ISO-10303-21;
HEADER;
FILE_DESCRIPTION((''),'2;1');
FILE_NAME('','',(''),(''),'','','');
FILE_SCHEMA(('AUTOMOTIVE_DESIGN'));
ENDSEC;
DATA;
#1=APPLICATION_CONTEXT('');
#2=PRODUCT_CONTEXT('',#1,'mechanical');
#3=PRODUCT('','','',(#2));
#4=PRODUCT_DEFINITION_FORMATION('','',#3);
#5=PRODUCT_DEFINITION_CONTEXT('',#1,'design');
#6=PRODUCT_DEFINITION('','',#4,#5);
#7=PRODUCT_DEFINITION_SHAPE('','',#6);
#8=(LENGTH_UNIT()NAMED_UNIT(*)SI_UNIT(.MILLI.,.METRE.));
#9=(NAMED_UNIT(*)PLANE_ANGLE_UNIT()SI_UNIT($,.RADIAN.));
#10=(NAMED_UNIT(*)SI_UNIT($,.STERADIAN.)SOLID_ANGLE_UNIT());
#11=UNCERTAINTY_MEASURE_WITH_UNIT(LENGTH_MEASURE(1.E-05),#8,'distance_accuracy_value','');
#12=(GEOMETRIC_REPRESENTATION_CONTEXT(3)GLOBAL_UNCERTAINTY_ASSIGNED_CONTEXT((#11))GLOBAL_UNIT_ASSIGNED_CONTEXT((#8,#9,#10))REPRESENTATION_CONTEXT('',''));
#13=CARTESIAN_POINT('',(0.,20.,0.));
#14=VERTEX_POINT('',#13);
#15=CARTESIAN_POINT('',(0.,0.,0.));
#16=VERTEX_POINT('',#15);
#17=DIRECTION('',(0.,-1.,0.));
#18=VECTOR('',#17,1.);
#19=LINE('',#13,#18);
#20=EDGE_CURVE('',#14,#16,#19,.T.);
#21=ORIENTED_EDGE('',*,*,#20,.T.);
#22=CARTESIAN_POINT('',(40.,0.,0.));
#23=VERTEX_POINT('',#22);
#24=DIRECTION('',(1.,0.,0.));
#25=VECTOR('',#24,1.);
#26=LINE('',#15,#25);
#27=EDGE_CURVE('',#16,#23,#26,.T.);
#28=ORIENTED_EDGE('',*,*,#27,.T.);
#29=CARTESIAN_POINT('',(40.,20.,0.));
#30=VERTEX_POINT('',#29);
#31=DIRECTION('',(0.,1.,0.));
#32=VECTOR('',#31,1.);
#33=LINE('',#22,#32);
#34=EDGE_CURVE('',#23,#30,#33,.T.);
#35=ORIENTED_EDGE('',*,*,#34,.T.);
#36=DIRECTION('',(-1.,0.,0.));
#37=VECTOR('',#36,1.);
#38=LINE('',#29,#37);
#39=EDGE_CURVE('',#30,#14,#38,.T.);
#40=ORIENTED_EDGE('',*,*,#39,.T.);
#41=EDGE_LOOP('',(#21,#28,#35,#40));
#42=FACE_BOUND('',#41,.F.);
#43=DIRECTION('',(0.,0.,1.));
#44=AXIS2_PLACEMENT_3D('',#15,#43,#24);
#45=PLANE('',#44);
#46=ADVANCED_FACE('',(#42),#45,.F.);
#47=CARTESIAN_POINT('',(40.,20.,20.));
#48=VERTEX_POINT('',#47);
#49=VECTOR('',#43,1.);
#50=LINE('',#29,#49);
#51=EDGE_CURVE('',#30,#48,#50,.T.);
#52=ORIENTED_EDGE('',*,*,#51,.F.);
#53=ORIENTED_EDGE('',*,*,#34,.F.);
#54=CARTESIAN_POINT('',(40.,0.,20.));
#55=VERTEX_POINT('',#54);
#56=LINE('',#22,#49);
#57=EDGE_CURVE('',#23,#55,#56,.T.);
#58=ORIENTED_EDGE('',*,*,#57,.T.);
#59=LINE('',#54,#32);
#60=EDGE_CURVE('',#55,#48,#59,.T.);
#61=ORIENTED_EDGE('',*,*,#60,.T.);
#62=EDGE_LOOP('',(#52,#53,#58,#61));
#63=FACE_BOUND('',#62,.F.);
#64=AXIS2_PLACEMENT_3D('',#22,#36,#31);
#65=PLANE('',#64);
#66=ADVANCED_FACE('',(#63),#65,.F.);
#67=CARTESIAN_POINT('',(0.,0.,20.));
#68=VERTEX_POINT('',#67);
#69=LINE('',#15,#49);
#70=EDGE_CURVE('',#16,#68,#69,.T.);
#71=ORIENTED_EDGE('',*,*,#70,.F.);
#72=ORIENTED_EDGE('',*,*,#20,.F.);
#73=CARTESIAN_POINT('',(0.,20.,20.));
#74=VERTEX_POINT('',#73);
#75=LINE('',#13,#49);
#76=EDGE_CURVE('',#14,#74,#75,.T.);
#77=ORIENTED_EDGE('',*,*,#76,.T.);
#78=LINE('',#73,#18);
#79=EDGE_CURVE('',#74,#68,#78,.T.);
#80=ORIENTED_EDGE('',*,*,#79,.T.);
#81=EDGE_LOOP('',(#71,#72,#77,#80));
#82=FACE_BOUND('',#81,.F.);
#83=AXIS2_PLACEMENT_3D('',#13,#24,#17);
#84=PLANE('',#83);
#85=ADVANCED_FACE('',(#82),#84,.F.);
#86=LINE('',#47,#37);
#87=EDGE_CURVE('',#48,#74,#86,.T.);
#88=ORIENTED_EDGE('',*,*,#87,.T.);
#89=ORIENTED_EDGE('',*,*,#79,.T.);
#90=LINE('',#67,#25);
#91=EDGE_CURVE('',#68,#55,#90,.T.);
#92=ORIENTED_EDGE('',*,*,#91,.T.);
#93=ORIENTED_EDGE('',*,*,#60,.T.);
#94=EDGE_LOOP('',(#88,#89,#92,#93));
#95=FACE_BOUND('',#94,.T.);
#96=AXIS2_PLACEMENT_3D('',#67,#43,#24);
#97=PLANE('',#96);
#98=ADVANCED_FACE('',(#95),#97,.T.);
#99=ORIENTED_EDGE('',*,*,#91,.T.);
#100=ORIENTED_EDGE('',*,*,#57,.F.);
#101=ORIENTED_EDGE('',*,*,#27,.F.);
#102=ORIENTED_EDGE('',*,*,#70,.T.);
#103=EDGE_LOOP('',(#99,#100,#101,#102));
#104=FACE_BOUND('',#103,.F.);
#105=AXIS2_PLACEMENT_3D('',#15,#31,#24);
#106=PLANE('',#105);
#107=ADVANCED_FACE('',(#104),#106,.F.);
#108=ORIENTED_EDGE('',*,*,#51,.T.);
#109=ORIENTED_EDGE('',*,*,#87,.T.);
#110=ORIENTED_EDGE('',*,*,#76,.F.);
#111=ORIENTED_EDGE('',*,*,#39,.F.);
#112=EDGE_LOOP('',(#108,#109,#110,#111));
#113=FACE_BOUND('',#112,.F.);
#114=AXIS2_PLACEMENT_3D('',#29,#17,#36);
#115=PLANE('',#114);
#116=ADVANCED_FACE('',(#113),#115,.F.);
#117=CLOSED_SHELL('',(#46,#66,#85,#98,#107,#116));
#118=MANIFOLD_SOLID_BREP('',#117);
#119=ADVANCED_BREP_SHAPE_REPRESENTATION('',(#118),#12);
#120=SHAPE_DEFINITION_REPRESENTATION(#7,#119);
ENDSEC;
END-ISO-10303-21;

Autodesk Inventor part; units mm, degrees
ref_plane "YZ Plane" through (0, 0, 0) normal (1, 0, 0) x (0, 1, 0)
ref_plane "XZ Plane" through (0, 0, 0) normal (0, 1, 0) x (-1, 0, 0)
ref_plane "XY Plane" through (0, 0, 0) normal (0, 0, 1) x (1, 0, 0)
sketch "Sketch1" plane through (0, 0, 0) normal (0, 0, 1) x (1, 0, 0)
  line L0 (0, 0) -> (40, 0)
  line L1 (40, 0) -> (40, 20)
  line L2 (40, 20) -> (0, 20)
  line L3 (0, 20) -> (0, 0)
extrude "Extrusion1" add sketch "Sketch1" along normal blind 20
sketch "Sketch2" plane through (0, 0, 0) normal (0, 0, 1) x (1, 0, 0)
  point P0 (20, 10)
hole "Hole1" at (20, 10, 0) direction (0, 0, -1) diameter 10 depth 10
properties part number "20_box_hole_blind"
